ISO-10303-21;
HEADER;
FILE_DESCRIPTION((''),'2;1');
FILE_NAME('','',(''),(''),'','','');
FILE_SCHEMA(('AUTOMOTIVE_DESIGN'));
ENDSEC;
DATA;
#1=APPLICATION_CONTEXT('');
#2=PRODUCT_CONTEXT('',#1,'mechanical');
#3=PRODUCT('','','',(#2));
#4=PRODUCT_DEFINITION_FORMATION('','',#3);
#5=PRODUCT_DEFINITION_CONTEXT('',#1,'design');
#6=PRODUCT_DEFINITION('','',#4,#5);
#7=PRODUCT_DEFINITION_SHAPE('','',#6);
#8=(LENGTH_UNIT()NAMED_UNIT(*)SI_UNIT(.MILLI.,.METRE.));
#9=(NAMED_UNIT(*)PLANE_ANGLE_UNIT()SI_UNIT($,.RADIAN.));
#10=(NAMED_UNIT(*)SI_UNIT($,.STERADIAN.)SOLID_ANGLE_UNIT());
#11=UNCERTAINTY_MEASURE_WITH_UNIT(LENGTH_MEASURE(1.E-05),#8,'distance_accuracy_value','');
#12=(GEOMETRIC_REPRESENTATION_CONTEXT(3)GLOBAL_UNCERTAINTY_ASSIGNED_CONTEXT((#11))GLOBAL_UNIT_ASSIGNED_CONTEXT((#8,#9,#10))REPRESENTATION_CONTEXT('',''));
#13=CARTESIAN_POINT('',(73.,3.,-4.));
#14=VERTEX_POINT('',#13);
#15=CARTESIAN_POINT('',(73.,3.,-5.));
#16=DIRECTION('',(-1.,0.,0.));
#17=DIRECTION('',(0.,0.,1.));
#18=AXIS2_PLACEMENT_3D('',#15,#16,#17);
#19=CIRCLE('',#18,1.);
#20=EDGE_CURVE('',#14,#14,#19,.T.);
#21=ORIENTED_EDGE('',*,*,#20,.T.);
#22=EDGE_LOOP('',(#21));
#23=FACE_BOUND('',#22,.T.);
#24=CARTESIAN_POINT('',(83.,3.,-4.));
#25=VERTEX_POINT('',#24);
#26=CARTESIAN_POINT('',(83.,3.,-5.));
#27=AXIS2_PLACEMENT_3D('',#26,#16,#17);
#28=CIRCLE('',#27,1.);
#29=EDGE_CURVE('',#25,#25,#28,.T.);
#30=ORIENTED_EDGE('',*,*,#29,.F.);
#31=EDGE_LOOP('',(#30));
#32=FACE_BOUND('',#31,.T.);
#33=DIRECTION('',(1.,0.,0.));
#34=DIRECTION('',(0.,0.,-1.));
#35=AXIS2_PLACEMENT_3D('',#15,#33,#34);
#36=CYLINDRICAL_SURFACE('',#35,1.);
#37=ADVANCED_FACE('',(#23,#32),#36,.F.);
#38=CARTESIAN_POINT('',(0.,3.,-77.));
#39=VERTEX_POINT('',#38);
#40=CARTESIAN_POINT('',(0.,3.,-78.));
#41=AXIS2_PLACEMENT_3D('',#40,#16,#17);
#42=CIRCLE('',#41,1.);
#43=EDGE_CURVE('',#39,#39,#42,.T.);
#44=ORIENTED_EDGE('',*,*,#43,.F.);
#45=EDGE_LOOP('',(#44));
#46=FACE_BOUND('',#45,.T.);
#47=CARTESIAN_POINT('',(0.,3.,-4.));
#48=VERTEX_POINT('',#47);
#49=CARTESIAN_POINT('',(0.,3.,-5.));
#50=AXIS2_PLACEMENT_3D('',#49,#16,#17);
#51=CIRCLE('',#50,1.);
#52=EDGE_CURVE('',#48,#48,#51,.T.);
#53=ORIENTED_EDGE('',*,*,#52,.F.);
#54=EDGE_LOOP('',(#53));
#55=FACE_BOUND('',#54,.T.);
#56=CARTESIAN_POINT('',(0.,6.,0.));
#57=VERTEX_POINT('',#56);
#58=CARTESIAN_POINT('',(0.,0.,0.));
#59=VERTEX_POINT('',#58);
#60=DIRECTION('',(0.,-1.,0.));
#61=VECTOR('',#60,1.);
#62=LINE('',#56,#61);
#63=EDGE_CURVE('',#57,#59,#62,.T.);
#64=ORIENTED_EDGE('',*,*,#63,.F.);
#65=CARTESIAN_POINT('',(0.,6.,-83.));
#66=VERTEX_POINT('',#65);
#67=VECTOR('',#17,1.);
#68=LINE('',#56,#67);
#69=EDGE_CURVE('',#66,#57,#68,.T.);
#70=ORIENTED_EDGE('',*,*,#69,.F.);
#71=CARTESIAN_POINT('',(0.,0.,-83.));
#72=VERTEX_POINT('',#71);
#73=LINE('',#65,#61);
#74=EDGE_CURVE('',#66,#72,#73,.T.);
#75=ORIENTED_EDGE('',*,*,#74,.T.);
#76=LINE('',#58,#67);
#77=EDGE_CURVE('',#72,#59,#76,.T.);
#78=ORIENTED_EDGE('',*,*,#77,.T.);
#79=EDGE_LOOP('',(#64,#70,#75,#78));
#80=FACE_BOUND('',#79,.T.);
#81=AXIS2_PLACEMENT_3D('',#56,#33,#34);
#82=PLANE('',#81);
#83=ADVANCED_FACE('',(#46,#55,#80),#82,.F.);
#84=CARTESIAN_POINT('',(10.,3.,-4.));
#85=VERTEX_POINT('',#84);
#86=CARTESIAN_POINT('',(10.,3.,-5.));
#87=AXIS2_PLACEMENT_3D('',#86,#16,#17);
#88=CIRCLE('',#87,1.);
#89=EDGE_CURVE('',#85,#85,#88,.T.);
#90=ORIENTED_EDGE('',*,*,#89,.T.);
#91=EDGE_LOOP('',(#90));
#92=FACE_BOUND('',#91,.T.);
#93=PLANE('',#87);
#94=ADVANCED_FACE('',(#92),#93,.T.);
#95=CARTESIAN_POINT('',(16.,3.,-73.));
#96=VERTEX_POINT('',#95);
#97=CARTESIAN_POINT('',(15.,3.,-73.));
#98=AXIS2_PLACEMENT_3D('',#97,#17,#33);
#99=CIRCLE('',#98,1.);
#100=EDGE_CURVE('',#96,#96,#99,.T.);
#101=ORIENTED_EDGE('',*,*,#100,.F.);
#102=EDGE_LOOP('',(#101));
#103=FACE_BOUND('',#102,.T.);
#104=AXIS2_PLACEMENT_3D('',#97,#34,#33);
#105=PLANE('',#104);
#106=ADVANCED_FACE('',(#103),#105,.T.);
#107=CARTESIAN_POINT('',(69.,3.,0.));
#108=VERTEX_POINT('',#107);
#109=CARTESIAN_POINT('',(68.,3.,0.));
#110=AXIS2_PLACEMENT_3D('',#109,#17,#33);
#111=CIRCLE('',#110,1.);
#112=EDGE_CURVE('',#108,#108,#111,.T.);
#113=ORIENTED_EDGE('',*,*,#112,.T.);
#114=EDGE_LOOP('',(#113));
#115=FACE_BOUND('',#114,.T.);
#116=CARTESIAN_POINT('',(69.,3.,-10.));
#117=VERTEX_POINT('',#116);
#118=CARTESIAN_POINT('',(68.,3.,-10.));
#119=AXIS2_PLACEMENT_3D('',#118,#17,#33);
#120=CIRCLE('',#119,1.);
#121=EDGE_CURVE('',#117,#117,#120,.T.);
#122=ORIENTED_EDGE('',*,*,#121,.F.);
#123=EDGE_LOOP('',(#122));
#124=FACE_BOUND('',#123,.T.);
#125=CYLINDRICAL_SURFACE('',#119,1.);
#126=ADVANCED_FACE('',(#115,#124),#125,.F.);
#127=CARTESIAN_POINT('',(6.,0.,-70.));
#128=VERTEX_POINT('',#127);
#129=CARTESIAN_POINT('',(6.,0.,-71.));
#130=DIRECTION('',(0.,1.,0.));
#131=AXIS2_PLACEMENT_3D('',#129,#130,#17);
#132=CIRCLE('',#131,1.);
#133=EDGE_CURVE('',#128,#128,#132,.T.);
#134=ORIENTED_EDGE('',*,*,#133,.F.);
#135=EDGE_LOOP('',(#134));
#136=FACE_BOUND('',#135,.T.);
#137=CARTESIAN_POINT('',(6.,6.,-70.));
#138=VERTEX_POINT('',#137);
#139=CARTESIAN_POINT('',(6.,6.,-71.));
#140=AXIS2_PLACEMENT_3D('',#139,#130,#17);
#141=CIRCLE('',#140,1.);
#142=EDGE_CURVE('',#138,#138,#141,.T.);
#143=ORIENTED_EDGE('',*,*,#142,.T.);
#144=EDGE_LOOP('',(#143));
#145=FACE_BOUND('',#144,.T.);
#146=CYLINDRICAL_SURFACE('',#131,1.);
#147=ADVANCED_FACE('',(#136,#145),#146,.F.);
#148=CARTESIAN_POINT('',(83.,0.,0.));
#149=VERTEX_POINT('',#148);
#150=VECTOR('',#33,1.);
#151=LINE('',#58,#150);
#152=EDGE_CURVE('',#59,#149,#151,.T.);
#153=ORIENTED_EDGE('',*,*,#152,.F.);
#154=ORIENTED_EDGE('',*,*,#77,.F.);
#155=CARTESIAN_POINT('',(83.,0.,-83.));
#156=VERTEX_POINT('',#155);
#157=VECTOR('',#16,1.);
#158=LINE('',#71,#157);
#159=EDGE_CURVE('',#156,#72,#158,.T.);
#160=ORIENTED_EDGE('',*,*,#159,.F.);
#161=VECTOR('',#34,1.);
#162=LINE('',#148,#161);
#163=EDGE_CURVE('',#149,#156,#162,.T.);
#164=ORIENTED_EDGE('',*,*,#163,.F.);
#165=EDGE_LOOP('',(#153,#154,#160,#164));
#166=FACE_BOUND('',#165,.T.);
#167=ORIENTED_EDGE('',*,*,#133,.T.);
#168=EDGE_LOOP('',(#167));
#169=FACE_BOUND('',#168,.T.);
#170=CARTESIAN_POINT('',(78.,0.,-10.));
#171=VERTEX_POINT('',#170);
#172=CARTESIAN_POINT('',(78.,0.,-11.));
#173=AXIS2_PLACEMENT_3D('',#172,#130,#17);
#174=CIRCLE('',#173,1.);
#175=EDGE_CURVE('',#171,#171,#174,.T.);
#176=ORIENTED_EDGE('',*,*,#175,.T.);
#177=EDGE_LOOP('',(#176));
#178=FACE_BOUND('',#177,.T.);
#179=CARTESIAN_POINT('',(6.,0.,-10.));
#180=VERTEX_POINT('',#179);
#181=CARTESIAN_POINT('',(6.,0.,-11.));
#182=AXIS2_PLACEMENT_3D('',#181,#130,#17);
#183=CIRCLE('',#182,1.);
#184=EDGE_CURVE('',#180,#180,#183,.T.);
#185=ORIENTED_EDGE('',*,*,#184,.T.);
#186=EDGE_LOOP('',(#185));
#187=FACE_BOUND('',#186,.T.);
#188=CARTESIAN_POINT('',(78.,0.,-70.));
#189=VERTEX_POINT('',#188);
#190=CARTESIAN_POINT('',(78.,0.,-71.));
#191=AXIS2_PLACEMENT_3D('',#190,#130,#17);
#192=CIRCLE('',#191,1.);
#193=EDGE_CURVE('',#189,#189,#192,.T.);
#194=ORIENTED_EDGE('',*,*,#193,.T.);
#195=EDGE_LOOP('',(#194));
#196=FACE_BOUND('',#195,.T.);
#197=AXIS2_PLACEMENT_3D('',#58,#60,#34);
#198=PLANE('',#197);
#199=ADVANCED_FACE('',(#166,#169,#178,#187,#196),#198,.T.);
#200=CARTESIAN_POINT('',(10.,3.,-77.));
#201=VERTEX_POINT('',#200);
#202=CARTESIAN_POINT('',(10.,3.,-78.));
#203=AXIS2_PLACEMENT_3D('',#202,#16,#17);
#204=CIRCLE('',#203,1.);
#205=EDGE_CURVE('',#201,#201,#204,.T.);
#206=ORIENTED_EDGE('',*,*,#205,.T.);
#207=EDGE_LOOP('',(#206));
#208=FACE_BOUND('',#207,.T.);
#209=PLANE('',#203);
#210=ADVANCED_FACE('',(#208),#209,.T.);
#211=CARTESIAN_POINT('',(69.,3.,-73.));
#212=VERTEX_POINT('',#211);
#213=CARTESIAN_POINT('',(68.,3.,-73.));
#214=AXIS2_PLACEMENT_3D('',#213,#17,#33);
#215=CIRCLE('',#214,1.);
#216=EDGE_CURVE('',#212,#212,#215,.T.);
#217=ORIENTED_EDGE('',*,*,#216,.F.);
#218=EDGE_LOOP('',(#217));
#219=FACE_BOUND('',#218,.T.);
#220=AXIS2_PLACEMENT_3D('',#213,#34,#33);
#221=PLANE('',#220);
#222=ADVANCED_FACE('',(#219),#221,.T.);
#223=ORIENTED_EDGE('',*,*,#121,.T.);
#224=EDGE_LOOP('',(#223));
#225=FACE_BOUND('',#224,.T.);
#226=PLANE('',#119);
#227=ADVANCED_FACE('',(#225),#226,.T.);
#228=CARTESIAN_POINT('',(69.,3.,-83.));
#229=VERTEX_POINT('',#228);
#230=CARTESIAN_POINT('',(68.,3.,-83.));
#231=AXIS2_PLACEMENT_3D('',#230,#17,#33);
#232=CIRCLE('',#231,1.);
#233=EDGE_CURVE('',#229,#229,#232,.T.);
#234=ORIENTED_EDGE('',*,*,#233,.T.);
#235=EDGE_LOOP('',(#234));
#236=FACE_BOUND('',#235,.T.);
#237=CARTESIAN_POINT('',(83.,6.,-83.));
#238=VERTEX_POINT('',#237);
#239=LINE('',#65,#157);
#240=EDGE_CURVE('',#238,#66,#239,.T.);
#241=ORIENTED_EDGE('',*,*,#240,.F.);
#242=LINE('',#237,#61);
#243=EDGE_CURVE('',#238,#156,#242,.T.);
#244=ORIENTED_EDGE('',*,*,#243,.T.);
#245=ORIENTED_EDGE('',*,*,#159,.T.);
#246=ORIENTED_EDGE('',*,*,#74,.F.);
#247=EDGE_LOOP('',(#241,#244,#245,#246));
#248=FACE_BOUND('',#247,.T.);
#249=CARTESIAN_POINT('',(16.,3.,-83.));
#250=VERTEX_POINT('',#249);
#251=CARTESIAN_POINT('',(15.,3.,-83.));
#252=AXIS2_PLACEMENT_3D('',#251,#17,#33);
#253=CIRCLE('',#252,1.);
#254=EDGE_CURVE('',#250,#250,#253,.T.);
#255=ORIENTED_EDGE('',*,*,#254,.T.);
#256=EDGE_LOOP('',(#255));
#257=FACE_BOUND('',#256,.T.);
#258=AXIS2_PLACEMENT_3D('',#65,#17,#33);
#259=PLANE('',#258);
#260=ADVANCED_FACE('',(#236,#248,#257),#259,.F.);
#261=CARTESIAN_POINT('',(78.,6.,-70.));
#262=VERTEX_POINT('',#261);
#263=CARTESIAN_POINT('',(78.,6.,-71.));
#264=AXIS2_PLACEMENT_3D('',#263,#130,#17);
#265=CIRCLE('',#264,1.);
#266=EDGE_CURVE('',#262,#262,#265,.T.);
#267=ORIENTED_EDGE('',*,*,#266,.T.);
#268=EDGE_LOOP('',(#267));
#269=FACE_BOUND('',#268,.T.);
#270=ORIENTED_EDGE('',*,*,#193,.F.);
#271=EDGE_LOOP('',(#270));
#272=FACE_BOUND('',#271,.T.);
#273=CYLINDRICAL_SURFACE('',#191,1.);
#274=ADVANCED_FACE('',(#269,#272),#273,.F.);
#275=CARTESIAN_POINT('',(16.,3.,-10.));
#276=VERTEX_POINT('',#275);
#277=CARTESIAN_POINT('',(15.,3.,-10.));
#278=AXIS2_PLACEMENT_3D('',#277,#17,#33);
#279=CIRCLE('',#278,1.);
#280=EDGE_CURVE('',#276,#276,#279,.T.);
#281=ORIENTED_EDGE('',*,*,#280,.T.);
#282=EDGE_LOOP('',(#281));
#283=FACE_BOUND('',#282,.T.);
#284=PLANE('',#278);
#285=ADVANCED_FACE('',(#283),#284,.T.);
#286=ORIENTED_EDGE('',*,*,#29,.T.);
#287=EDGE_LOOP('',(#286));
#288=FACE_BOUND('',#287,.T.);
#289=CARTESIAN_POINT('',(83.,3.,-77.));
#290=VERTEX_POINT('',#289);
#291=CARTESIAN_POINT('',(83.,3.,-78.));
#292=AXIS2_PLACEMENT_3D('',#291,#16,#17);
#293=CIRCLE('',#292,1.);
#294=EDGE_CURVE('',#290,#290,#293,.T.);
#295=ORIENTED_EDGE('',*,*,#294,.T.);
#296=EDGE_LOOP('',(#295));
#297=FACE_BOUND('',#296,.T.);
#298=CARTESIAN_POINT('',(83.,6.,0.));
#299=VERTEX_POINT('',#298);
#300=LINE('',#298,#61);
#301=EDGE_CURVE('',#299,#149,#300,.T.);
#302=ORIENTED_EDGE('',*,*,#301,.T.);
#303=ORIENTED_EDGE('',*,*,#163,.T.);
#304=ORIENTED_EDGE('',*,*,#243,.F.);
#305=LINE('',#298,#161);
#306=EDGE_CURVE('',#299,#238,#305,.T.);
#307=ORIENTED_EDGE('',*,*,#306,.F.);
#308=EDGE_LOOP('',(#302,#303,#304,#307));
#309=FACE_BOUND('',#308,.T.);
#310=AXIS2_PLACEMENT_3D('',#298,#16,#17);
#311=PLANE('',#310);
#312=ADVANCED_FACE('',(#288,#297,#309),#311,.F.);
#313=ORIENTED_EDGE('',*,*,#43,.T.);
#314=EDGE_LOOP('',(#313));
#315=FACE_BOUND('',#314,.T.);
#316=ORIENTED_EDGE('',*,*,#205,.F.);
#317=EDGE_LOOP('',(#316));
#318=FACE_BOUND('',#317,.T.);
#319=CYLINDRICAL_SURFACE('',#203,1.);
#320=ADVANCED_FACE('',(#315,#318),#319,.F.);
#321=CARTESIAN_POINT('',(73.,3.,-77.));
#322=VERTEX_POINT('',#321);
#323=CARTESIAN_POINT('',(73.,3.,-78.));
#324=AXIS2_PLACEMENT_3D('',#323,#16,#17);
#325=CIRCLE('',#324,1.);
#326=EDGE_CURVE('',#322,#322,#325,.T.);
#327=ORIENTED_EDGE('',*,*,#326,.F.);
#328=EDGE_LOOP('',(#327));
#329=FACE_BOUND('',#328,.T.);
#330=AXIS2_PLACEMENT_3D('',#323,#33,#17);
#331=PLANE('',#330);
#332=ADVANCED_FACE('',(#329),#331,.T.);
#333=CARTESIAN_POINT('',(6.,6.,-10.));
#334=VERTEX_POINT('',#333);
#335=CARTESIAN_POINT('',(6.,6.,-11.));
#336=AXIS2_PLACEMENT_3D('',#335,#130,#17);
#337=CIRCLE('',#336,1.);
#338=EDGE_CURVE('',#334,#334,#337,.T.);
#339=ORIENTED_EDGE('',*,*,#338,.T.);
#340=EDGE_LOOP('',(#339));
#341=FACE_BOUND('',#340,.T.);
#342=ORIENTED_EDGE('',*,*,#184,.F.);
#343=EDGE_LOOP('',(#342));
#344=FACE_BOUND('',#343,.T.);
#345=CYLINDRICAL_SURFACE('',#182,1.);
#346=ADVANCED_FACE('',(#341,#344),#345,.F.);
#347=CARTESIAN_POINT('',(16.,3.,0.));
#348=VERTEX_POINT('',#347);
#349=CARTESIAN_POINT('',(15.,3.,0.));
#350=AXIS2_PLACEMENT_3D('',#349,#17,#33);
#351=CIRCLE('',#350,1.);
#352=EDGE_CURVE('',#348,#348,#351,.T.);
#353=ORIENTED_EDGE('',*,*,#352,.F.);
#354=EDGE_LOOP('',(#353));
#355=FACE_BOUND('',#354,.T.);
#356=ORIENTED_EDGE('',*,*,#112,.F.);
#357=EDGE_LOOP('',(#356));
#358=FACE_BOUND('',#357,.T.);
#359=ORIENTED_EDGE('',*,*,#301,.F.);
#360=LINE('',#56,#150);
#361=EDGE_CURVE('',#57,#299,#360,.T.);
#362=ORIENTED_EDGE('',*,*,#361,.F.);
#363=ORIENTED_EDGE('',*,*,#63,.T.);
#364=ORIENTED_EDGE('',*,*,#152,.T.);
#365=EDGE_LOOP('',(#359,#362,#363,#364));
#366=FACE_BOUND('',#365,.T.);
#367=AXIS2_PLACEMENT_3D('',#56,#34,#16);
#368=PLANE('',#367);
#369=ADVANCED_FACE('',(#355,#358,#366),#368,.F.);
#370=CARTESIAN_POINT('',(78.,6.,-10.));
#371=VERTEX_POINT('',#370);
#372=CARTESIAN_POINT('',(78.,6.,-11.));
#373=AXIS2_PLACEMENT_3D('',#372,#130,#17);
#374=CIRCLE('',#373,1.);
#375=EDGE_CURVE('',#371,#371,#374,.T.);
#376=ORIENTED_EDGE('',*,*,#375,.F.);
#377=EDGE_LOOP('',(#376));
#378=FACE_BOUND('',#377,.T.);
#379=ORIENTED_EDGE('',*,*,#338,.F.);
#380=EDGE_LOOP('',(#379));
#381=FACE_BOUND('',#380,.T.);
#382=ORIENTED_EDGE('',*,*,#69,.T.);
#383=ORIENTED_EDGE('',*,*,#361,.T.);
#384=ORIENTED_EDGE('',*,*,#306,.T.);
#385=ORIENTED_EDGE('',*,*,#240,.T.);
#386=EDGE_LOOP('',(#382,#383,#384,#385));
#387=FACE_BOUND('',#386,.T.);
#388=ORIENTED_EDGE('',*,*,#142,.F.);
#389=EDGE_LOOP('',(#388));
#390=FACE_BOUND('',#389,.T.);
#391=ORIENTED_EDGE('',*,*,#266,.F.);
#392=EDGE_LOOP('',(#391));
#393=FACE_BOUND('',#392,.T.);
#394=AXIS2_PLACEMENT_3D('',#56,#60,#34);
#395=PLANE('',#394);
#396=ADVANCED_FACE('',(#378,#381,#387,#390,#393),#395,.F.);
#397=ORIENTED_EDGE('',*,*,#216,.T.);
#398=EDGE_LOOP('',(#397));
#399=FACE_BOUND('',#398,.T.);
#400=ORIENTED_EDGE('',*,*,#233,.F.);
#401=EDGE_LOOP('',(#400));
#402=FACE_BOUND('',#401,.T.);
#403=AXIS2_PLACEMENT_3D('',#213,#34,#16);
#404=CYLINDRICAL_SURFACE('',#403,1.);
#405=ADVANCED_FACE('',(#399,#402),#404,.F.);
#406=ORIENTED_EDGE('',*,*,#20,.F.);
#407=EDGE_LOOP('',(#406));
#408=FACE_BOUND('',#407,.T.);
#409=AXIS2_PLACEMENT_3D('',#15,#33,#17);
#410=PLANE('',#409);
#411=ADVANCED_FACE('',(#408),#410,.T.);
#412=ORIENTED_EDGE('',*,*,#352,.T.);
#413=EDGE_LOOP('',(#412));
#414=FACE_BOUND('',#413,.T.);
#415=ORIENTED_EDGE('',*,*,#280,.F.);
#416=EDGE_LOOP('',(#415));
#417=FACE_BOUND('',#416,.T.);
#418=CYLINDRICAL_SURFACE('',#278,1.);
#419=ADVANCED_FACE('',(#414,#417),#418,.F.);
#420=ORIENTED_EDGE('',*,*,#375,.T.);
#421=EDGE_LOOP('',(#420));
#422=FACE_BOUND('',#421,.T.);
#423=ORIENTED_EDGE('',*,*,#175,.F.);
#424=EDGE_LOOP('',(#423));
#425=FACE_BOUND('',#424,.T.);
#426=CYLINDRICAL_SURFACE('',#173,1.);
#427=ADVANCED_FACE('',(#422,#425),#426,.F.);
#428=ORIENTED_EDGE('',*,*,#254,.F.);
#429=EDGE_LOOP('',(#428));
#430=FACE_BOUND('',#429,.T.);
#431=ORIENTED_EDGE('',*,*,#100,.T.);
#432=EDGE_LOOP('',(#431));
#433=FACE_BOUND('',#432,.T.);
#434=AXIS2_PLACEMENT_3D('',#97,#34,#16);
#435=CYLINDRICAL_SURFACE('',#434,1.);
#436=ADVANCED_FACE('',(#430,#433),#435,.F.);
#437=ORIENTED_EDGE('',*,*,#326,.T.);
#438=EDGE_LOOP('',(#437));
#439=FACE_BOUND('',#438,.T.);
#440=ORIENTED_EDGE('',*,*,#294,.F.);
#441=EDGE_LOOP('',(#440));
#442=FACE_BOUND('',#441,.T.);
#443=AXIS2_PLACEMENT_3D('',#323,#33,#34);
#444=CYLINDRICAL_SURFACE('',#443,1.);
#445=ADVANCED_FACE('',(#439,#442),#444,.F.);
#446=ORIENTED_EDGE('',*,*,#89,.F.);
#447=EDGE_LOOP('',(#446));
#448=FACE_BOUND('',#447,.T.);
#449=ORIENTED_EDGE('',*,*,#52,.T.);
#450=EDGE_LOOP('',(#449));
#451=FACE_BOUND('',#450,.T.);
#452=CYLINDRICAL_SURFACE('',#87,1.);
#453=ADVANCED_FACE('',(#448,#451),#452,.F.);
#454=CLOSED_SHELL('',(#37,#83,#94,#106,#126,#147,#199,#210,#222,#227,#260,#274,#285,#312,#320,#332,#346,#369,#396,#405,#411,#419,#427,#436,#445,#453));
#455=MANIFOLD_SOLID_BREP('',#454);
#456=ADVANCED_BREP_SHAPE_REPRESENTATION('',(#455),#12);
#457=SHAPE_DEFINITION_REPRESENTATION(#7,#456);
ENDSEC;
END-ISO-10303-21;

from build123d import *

# Parameters (mm, degrees)
SKETCH1_W            = 83
SKETCH1_H            = 83
BOSS_EXTRUDE1_DEPTH  = 6
SKETCH2_R            = 1
CUT_EXTRUDE1_DEPTH   = 6
LPATTERN1_COUNT      = 2
LPATTERN1_PITCH      = 72
LPATTERN1_COUNT_DIR2 = 2
LPATTERN1_PITCH_DIR2 = 60
SKETCH3_R            = 1
CUT_EXTRUDE2_DEPTH   = 10
SKETCH4_R            = 1
CUT_EXTRUDE3_DEPTH   = 10


with BuildPart() as part:
    # Sketch1 → Boss-Extrude1 (new body)
    with BuildSketch(Plane(origin=(0, 0, 0), x_dir=(1, 0, 0), z_dir=(0, 1, 0))):
        with Locations((41.5, 41.5)):
            Rectangle(SKETCH1_W, SKETCH1_H)
    extrude(amount=BOSS_EXTRUDE1_DEPTH)

    # Sketch2 → Cut-Extrude1 (cut)
    with BuildSketch(Plane(origin=(0, 6, 0), x_dir=(1, 0, 0), z_dir=(0, 1, 0))):
        with Locations(Location((6, 71, 0), (0, 0, 270))):
            Circle(SKETCH2_R)
    cut_extrude1 = extrude(amount=-CUT_EXTRUDE1_DEPTH, mode=Mode.SUBTRACT)

    # LPattern1: Cut-Extrude1 2 × 2
    with Locations(*[(i * LPATTERN1_PITCH, 0, j * LPATTERN1_PITCH_DIR2) for i in range(LPATTERN1_COUNT) for j in range(LPATTERN1_COUNT_DIR2) if (i, j) != (0, 0)]):
        add(cut_extrude1, mode=Mode.SUBTRACT)

    # Sketch3 → Cut-Extrude2 (cut)
    with BuildSketch(Plane.ZY):
        with Locations((-78, 3)):
            Circle(SKETCH3_R)
        with Locations((-5, 3)):
            Circle(SKETCH3_R)
    cut_extrude2 = extrude(amount=-CUT_EXTRUDE2_DEPTH, mode=Mode.SUBTRACT)

    # Mirror1: Cut-Extrude2 across plane
    add(cut_extrude2.mirror(Plane.ZY.offset(-41.5)), mode=Mode.SUBTRACT)

    # Sketch4 → Cut-Extrude3 (cut)
    with BuildSketch(Plane.XY):
        with Locations((15, 3)):
            Circle(SKETCH4_R)
        with Locations((68, 3)):
            Circle(SKETCH4_R)
    cut_extrude3 = extrude(amount=-CUT_EXTRUDE3_DEPTH, mode=Mode.SUBTRACT)

    # Mirror2: Cut-Extrude3 across plane
    add(cut_extrude3.mirror(Plane.XY.offset(-41.5)), mode=Mode.SUBTRACT)


solid = part.part
